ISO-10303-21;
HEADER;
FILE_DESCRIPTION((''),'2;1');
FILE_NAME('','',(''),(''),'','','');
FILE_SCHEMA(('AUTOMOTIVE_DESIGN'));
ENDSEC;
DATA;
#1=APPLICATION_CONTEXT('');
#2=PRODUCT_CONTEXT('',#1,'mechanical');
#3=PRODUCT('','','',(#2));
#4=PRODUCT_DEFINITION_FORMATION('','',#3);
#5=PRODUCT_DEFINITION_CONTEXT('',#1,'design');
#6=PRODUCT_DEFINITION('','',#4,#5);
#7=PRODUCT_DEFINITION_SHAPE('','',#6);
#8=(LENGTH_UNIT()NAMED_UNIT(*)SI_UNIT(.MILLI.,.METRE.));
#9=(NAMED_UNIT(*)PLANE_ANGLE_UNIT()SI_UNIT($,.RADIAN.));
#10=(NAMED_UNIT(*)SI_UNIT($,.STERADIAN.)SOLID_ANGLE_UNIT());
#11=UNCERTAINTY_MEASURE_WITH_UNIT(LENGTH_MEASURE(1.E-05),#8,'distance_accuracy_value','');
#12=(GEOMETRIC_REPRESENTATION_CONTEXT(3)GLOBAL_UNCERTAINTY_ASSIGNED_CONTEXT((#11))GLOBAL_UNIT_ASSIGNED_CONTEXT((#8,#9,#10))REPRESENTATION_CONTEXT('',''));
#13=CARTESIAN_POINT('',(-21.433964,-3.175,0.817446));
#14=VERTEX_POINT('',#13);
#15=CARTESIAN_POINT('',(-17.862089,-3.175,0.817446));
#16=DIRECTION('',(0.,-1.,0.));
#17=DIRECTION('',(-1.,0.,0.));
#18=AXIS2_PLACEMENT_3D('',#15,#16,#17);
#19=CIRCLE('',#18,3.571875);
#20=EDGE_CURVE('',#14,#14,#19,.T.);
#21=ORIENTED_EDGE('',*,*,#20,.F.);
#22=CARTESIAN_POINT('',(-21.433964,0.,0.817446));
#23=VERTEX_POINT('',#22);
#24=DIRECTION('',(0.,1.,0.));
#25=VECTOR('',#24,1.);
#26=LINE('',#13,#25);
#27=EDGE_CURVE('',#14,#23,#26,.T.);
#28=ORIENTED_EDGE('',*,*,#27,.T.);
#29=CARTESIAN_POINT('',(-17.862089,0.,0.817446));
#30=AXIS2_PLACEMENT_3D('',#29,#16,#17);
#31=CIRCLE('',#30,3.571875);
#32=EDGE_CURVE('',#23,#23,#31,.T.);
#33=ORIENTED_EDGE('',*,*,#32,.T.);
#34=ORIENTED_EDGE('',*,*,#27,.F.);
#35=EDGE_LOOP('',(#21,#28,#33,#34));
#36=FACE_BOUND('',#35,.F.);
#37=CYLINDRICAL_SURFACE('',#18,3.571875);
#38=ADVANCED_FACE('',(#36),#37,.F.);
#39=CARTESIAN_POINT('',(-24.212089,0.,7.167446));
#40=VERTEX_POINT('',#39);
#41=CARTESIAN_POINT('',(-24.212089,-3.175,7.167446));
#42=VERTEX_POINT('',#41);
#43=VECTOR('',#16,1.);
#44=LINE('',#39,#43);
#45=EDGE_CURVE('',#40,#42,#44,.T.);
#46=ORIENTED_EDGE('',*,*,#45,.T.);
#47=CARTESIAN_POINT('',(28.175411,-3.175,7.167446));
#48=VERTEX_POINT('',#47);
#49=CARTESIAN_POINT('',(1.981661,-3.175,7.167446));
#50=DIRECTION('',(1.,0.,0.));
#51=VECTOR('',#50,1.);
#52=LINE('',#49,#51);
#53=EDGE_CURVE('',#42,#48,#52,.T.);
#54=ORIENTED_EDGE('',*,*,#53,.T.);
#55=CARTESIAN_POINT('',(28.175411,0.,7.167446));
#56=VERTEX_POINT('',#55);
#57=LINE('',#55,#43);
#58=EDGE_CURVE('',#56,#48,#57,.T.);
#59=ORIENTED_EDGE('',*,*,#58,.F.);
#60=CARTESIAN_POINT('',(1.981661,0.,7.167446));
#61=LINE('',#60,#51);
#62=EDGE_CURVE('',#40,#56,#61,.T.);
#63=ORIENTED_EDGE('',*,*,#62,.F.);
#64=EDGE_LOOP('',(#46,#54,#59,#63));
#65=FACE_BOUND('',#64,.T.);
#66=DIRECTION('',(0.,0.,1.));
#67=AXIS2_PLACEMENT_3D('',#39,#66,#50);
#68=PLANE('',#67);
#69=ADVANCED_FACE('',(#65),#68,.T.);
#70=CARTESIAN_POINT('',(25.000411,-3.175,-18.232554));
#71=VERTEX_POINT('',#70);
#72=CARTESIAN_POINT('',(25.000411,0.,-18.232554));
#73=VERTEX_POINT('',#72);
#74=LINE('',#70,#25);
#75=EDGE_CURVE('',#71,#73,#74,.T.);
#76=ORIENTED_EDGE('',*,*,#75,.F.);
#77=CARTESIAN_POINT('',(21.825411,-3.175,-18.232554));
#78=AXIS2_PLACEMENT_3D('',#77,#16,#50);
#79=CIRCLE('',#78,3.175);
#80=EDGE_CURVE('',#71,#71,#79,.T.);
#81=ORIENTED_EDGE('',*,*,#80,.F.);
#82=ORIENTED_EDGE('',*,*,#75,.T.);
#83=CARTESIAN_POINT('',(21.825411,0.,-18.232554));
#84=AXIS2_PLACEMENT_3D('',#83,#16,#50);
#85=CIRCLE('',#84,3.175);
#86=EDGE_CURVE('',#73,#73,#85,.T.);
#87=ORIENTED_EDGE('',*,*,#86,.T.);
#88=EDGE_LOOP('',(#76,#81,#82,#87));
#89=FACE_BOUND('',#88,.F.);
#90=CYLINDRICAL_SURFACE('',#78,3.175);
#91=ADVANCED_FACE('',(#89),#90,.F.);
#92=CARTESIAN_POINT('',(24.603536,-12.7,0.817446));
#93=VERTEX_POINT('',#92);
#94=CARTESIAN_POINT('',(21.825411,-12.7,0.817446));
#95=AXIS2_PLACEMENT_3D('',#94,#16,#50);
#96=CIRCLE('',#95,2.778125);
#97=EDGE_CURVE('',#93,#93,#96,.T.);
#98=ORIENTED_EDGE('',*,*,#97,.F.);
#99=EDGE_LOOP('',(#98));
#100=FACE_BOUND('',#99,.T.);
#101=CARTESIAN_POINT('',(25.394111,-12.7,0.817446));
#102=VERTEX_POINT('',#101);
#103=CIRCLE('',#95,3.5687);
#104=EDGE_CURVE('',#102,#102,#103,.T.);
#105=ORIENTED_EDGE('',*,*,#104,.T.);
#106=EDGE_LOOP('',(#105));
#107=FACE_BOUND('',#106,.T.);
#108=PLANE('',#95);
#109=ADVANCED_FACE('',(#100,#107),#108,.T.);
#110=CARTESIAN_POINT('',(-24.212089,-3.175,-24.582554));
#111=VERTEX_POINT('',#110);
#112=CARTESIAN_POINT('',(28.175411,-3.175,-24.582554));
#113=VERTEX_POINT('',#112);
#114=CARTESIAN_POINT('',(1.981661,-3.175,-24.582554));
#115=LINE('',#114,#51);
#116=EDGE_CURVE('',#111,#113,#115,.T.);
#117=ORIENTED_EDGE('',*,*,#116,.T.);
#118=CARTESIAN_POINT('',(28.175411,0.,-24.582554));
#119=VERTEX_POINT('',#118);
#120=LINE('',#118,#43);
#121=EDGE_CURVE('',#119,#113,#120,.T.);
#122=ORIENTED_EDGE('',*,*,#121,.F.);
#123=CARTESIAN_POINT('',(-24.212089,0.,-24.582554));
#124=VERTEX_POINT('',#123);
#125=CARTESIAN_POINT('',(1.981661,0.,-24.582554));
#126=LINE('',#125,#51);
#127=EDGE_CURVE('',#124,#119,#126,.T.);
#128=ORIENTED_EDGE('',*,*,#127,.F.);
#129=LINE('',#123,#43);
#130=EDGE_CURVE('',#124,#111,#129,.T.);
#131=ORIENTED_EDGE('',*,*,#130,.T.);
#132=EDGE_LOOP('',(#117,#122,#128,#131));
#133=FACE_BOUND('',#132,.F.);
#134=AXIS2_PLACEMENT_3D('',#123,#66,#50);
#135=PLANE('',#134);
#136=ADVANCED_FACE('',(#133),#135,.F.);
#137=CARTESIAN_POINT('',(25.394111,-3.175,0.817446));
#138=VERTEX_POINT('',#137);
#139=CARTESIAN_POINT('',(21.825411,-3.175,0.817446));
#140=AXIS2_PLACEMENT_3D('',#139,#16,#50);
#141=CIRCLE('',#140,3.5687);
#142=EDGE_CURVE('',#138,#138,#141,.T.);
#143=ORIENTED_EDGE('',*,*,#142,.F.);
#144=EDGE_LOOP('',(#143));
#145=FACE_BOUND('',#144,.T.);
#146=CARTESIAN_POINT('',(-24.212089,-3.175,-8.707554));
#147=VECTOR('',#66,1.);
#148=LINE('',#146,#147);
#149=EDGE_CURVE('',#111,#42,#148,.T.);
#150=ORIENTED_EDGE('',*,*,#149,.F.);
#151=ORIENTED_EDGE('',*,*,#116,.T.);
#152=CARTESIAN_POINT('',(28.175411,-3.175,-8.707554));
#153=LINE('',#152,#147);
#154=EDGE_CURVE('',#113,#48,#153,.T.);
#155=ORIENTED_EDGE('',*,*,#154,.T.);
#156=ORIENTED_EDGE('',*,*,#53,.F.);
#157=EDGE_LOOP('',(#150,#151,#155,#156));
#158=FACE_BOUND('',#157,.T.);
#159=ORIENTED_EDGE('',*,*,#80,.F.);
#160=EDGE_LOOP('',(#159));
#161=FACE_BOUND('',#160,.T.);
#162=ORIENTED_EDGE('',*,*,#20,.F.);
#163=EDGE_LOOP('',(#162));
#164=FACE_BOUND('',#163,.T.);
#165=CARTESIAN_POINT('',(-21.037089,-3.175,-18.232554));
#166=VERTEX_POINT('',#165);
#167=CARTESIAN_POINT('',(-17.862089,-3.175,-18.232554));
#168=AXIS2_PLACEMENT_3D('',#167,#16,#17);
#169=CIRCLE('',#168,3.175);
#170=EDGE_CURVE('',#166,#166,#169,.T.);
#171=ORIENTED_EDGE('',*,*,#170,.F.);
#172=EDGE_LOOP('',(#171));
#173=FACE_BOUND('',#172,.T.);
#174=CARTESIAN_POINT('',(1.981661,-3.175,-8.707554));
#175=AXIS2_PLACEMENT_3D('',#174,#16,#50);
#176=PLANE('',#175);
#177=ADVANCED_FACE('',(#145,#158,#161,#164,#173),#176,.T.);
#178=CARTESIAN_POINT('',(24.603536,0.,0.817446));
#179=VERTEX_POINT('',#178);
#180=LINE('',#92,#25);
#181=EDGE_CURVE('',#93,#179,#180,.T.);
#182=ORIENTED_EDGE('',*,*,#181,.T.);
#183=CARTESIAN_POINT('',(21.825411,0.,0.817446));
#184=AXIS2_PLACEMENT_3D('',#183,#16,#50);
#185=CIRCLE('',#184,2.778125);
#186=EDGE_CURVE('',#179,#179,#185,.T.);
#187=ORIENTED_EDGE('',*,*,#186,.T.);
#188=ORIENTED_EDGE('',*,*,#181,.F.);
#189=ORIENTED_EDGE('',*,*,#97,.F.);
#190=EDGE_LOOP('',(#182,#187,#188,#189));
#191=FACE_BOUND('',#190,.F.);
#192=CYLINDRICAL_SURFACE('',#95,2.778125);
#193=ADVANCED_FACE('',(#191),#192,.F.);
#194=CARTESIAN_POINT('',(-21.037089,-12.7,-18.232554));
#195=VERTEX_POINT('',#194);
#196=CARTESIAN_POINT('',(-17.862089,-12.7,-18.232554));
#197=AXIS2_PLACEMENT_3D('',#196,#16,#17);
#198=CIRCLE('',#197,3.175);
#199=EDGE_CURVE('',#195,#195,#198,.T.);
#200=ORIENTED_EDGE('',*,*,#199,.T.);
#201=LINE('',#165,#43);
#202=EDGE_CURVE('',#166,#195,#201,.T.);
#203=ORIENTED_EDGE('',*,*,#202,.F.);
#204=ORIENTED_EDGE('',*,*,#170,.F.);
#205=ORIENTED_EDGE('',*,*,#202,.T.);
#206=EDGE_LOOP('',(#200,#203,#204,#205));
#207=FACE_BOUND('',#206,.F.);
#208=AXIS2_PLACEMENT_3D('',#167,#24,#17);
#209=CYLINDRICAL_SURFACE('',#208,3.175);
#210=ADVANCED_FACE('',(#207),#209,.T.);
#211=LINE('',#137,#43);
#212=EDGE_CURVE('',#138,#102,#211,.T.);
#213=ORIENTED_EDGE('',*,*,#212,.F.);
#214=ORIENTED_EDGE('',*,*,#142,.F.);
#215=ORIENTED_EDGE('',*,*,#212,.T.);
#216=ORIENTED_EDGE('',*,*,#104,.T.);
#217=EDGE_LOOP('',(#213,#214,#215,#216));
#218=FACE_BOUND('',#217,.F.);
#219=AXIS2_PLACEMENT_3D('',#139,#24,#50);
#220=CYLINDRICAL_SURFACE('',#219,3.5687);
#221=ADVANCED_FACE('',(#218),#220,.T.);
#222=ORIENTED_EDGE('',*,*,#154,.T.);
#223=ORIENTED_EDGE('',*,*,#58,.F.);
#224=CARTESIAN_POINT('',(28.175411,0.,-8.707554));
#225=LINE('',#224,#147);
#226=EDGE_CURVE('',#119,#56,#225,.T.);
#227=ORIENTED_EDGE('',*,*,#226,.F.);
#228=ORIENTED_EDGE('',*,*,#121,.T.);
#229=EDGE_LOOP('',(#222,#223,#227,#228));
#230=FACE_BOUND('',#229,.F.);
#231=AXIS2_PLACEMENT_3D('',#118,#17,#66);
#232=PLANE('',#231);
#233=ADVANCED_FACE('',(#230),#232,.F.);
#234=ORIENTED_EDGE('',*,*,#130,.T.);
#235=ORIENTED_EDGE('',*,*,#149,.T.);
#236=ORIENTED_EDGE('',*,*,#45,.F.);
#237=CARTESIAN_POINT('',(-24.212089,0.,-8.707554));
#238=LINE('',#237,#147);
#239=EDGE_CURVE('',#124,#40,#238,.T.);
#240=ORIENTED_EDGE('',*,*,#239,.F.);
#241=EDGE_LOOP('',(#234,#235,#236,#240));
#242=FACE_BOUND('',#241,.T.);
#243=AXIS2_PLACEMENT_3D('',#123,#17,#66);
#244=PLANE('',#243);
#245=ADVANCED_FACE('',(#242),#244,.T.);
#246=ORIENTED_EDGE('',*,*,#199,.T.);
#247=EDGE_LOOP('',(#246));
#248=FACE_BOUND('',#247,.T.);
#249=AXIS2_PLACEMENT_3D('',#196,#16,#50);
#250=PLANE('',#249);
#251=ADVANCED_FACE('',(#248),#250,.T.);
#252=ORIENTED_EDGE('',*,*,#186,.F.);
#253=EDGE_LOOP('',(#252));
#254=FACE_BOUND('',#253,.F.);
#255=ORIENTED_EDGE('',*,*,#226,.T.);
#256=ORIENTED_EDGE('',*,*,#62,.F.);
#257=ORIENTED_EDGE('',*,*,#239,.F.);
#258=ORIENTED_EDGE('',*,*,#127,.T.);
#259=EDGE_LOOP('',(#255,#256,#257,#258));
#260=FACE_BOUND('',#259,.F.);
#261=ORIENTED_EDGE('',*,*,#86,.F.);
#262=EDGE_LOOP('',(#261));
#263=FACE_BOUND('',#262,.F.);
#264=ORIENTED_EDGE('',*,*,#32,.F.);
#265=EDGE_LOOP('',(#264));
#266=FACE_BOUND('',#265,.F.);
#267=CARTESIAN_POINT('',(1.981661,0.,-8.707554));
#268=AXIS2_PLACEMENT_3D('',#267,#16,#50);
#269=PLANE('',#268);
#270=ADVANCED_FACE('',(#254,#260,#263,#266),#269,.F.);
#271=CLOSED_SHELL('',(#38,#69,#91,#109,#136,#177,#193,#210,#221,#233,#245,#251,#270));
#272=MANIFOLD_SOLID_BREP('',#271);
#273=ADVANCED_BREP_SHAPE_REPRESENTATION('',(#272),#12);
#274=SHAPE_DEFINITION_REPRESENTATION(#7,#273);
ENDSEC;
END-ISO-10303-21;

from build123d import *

# Parameters (mm, degrees)
F0_W      = 52.3875
F0_H      = 31.75
F1_DEPTH  = 3.175
F3_DEPTH  = 3.176
F4_R      = 3.5687
F5_DEPTH  = 9.525
F6_R      = 2.778125
F7_DEPTH  = 12.701
F9_DEPTH  = 9.525
F10_R     = 3.175
F11_DEPTH = 3.176


with BuildPart() as f1:
    # F0 (on Front) → F1 (new body)
    with BuildSketch(Plane.XZ):
        with Locations((1.981661, -8.707554)):
            Rectangle(F0_W, F0_H)
    extrude(amount=F1_DEPTH)

    # F2 (on face) → F3 (cut, through all)
    with BuildSketch(Plane.XZ.offset(3.175)):
        with BuildLine():
            ThreePointArc((-14.290214, 0.817446), (-17.862089, 4.389321), (-21.433964, 0.817446))
            ThreePointArc((-21.433964, 0.817446), (-17.862089, -2.754429), (-14.290214, 0.817446))
        make_face()
    extrude(amount=-F3_DEPTH, mode=Mode.SUBTRACT)

    # F4 (on face) → F5 (join)
    with BuildSketch(Plane.XZ.offset(3.175)):
        with Locations((21.825411, 0.817446)):
            Circle(F4_R)
    extrude(amount=F5_DEPTH)

    # F6 (on face) → F7 (cut, through all)
    with BuildSketch(Plane.XZ.offset(12.7)):
        with Locations((21.825411, 0.817446)):
            Circle(F6_R)
    extrude(amount=-F7_DEPTH, mode=Mode.SUBTRACT)

    # F8 (on face) → F9 (join)
    with BuildSketch(Plane.XZ.offset(3.175)):
        with BuildLine():
            ThreePointArc((-14.687089, -18.232554), (-17.862089, -15.057554), (-21.037089, -18.232554))
            ThreePointArc((-21.037089, -18.232554), (-17.862089, -21.407554), (-14.687089, -18.232554))
        make_face()
    extrude(amount=F9_DEPTH)

    # F10 (on face) → F11 (cut, through all)
    with BuildSketch(Plane.XZ.offset(3.175)):
        with Locations((21.825411, -18.232554)):
            Circle(F10_R)
    extrude(amount=-F11_DEPTH, mode=Mode.SUBTRACT)


solid = f1.part
